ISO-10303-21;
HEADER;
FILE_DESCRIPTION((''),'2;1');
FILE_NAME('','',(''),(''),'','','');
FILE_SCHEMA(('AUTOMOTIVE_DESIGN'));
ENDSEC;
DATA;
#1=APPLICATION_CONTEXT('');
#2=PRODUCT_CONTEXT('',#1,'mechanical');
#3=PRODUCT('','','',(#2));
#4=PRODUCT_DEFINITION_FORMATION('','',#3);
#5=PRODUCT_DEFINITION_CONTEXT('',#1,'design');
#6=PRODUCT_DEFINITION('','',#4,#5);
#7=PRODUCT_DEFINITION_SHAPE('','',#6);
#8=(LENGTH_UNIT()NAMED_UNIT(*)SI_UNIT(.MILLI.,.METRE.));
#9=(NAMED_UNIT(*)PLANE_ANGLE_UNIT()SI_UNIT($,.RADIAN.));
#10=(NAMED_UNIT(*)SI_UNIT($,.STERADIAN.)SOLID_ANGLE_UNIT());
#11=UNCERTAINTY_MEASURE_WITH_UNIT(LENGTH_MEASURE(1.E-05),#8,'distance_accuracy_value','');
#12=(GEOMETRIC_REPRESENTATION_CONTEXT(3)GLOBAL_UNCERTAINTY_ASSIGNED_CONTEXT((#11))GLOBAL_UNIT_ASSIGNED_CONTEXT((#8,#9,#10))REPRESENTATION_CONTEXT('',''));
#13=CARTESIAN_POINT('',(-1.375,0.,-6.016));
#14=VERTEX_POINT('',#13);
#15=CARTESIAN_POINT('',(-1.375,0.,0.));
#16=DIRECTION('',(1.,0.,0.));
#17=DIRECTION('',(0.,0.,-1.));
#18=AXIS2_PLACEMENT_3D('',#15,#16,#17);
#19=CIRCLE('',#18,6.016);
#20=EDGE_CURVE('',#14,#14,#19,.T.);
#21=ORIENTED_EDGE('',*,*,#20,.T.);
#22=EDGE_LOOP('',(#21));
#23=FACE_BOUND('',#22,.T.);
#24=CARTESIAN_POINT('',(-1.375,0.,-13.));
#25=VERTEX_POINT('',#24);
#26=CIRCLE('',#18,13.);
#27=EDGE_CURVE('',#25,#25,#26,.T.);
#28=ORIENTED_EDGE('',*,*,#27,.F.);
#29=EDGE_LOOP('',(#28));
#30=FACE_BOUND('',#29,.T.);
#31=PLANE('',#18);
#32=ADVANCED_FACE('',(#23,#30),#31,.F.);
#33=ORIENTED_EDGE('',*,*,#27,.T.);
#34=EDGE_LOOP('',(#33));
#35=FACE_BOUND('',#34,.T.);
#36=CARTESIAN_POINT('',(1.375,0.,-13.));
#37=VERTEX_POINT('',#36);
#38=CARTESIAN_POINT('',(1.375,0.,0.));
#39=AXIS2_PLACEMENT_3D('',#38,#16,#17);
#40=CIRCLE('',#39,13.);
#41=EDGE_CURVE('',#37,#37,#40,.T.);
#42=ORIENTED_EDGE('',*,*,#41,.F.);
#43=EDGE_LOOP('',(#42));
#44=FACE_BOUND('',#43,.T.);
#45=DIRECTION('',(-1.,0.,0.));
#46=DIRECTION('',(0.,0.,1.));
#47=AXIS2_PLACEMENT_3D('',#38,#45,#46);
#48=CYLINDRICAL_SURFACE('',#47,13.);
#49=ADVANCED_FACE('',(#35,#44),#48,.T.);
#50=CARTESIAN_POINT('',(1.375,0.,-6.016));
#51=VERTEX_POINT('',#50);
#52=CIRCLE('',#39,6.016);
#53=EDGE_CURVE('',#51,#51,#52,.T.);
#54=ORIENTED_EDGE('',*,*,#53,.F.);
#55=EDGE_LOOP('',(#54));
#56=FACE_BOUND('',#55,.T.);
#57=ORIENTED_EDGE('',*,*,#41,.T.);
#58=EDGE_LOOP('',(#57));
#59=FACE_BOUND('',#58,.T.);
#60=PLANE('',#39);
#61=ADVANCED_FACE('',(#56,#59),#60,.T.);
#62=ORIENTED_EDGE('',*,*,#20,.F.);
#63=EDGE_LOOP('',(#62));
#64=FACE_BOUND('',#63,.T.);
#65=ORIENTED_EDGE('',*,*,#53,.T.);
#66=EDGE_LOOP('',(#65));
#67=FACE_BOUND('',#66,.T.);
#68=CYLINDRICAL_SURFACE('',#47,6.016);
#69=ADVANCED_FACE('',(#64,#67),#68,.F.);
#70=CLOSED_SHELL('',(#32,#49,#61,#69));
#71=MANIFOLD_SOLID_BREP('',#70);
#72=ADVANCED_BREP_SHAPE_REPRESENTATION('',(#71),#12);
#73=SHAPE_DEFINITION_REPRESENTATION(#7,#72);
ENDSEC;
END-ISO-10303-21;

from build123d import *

# Parameters (mm, degrees)
SKETCH3_R                = 13
SKETCH3_R_2              = 6.016
BOSS_EXTRUDE1_DEPTH      = 1.375
BOSS_EXTRUDE1_DEPTH_BACK = 1.375


with BuildPart() as part:
    # Sketch3 → Boss-Extrude1 (new body, two sides)
    with BuildSketch(Plane(origin=(0, 0, 0), x_dir=(0, 0, -1), z_dir=(1, 0, 0))) as boss_extrude1_sk:
        Circle(SKETCH3_R)
        Circle(SKETCH3_R_2, mode=Mode.SUBTRACT)
    extrude(amount=BOSS_EXTRUDE1_DEPTH)
    extrude(boss_extrude1_sk.sketch, amount=-BOSS_EXTRUDE1_DEPTH_BACK)


solid = part.part
